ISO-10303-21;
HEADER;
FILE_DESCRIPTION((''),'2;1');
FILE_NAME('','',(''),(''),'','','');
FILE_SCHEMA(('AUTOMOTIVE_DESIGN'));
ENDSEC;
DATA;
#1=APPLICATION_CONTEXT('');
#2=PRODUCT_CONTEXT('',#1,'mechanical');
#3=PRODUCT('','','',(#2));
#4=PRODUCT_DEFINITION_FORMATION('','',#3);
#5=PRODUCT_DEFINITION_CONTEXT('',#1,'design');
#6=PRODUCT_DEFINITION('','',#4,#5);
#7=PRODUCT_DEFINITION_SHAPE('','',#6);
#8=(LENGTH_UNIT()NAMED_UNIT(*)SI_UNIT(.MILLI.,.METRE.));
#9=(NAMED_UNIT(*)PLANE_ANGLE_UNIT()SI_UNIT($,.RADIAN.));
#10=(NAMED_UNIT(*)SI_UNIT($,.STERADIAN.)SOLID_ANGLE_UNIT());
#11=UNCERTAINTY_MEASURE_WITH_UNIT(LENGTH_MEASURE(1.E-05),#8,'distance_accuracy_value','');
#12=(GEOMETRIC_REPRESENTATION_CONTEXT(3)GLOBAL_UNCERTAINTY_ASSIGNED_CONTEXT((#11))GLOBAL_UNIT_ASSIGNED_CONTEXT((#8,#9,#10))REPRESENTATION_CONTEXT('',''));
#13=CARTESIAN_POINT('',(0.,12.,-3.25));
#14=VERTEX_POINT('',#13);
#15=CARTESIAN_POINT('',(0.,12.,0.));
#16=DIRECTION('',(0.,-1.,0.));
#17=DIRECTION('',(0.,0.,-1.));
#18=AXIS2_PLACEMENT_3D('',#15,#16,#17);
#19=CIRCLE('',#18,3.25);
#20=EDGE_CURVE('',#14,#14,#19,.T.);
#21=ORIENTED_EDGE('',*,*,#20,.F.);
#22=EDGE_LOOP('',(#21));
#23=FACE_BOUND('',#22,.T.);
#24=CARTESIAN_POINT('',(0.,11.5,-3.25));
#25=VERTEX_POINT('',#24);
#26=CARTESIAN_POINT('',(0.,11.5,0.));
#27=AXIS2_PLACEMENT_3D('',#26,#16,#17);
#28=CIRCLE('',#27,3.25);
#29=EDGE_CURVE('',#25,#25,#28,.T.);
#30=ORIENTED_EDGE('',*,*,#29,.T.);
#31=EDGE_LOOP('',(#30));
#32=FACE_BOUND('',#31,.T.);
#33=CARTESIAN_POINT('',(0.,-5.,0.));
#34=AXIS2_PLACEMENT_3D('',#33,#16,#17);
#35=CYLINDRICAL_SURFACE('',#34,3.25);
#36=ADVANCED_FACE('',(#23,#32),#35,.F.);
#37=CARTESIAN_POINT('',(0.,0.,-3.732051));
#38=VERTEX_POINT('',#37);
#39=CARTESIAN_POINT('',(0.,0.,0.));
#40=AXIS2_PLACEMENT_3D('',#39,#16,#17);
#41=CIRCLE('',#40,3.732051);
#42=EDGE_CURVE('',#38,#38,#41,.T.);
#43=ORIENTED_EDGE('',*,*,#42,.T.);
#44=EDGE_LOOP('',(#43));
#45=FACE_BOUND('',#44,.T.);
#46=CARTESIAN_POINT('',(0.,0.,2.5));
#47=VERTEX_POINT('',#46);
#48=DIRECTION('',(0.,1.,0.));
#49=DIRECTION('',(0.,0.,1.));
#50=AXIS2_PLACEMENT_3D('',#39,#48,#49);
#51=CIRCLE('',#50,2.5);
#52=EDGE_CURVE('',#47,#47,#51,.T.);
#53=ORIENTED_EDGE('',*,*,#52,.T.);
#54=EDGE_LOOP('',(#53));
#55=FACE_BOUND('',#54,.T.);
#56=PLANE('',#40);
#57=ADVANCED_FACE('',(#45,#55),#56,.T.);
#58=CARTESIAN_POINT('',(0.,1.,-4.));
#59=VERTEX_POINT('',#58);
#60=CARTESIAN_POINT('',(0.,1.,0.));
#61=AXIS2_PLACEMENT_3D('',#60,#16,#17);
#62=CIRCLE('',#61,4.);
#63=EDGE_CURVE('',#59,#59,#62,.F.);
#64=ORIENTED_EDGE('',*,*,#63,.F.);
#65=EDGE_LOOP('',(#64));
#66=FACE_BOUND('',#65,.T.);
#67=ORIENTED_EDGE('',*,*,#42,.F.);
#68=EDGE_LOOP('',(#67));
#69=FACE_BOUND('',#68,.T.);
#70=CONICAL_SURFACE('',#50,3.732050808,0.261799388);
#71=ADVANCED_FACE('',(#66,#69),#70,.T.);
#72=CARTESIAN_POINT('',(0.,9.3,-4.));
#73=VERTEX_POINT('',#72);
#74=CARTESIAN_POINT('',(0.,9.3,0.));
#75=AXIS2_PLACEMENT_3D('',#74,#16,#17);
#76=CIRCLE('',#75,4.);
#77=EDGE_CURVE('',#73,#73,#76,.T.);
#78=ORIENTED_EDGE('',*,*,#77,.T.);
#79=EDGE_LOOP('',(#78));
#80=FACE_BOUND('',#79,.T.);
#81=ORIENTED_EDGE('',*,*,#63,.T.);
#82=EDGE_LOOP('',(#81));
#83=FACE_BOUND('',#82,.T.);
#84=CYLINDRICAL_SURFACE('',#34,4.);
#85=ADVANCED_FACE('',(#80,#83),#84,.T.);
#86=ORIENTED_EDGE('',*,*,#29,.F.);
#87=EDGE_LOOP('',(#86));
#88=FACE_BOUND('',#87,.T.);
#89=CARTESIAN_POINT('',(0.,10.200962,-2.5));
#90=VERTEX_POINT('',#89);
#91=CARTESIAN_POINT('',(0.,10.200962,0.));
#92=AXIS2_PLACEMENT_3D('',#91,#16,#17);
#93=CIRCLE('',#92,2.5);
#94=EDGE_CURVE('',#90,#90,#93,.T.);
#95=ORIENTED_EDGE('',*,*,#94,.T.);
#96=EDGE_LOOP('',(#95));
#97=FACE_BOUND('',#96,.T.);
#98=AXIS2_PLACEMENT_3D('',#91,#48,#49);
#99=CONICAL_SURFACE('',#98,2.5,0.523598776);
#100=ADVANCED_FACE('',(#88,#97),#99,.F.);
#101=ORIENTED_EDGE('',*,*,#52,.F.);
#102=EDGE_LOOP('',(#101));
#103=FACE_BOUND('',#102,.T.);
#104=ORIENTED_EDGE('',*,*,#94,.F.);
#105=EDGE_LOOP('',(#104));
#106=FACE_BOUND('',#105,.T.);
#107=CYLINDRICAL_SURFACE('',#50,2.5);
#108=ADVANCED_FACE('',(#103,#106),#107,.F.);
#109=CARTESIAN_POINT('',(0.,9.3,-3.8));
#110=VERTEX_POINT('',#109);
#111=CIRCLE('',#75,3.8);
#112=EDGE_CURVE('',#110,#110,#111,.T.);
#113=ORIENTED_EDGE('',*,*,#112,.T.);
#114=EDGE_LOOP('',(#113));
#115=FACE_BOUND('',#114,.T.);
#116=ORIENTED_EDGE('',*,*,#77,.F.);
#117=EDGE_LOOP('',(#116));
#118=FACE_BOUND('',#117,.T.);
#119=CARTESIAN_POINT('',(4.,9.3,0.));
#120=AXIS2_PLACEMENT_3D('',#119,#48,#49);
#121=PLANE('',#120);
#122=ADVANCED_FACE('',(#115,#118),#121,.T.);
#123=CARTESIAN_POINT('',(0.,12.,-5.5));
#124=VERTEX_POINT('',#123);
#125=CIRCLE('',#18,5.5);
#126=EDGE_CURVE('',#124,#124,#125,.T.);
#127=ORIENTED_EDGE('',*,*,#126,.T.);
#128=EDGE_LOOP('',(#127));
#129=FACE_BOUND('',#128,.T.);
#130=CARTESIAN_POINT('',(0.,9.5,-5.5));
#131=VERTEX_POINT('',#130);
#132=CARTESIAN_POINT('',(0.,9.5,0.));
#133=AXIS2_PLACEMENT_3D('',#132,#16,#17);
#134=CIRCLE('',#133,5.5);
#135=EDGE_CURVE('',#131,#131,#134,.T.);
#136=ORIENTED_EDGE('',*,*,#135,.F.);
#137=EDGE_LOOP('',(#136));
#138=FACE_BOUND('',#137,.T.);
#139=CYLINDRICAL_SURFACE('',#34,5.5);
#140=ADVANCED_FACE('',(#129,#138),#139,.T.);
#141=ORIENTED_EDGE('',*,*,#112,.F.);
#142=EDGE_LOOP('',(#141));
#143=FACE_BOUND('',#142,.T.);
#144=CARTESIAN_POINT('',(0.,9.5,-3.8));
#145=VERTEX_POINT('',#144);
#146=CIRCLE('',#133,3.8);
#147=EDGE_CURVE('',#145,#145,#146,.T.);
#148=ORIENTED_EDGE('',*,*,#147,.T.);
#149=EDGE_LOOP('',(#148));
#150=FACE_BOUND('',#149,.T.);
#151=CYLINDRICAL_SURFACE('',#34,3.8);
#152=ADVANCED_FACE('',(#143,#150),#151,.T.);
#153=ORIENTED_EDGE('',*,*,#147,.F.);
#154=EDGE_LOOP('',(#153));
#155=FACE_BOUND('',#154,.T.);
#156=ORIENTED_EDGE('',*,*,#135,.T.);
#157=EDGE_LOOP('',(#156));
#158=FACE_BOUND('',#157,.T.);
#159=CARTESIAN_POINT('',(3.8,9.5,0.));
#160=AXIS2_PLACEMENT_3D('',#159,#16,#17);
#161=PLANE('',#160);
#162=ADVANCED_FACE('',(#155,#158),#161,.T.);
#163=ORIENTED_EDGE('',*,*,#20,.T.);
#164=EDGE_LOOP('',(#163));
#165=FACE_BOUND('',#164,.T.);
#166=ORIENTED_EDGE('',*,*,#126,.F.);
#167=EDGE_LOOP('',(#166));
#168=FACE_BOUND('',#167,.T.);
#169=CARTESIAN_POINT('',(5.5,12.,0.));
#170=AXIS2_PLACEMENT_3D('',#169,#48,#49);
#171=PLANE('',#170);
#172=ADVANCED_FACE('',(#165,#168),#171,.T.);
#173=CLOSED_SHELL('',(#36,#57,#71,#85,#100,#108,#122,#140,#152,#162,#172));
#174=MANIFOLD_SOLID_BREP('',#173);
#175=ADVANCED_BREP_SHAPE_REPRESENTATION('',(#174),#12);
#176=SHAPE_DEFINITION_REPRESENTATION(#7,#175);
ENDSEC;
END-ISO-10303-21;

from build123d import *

# Parameters (mm, degrees)
SKETCH2_R          = 2.5
CUT_EXTRUDE1_DEPTH = 15.300349646
CHAMFER1_SIZE      = 1
CHAMFER1_SIZE2     = 0.267949192


with BuildPart() as part:
    # Sketch1 → Revolve1 (revolve)
    with BuildSketch(Plane.XY, mode=Mode.PRIVATE) as revolve1_sk:
        Polygon((0, 0), (4, 0), (4, 9.3), (3.8, 9.3), (3.8, 9.5), (5.5, 9.5), (5.5, 12), (0, 12), align=None)
    revolve(revolve1_sk.sketch.rotate(Axis((0, -5, 0), (0, 1, 0)), 90), axis=Axis((0, -5, 0), (0, 1, 0)))

    # Sketch2 → Cut-Extrude1 (cut, through all)
    with BuildSketch(Plane(origin=(0, 12, 0), x_dir=(1, 0, 0), z_dir=(0, 1, 0))):
        with Locations(Location((0, 0, 0), (0, 0, 270))):
            Circle(SKETCH2_R)
    extrude(amount=-CUT_EXTRUDE1_DEPTH, mode=Mode.SUBTRACT)

    # Chamfer1
    chamfer1_edges = [part.edges().sort_by_distance(p)[0] for p in [
        (0, 0, 4),
    ]]
    chamfer1_side = [part.faces().sort_by_distance(p)[0] for p in [
        (0, 4.65, 4),
    ]]
    chamfer(chamfer1_edges, length=CHAMFER1_SIZE, length2=CHAMFER1_SIZE2, reference=chamfer1_side[0])

    # Sketch3 → Cut-Revolve1 (revolve, cut)
    with BuildSketch(Plane.XY, mode=Mode.PRIVATE) as cut_revolve1_sk:
        Polygon((0, 12), (3.25, 12), (3.25, 11.5), (2.5, 10.200961894), (0, 10.200961894), align=None)
    revolve(cut_revolve1_sk.sketch.rotate(Axis((0, -5, 0), (0, 1, 0)), 90), axis=Axis((0, -5, 0), (0, 1, 0)), mode=Mode.SUBTRACT)


solid = part.part
